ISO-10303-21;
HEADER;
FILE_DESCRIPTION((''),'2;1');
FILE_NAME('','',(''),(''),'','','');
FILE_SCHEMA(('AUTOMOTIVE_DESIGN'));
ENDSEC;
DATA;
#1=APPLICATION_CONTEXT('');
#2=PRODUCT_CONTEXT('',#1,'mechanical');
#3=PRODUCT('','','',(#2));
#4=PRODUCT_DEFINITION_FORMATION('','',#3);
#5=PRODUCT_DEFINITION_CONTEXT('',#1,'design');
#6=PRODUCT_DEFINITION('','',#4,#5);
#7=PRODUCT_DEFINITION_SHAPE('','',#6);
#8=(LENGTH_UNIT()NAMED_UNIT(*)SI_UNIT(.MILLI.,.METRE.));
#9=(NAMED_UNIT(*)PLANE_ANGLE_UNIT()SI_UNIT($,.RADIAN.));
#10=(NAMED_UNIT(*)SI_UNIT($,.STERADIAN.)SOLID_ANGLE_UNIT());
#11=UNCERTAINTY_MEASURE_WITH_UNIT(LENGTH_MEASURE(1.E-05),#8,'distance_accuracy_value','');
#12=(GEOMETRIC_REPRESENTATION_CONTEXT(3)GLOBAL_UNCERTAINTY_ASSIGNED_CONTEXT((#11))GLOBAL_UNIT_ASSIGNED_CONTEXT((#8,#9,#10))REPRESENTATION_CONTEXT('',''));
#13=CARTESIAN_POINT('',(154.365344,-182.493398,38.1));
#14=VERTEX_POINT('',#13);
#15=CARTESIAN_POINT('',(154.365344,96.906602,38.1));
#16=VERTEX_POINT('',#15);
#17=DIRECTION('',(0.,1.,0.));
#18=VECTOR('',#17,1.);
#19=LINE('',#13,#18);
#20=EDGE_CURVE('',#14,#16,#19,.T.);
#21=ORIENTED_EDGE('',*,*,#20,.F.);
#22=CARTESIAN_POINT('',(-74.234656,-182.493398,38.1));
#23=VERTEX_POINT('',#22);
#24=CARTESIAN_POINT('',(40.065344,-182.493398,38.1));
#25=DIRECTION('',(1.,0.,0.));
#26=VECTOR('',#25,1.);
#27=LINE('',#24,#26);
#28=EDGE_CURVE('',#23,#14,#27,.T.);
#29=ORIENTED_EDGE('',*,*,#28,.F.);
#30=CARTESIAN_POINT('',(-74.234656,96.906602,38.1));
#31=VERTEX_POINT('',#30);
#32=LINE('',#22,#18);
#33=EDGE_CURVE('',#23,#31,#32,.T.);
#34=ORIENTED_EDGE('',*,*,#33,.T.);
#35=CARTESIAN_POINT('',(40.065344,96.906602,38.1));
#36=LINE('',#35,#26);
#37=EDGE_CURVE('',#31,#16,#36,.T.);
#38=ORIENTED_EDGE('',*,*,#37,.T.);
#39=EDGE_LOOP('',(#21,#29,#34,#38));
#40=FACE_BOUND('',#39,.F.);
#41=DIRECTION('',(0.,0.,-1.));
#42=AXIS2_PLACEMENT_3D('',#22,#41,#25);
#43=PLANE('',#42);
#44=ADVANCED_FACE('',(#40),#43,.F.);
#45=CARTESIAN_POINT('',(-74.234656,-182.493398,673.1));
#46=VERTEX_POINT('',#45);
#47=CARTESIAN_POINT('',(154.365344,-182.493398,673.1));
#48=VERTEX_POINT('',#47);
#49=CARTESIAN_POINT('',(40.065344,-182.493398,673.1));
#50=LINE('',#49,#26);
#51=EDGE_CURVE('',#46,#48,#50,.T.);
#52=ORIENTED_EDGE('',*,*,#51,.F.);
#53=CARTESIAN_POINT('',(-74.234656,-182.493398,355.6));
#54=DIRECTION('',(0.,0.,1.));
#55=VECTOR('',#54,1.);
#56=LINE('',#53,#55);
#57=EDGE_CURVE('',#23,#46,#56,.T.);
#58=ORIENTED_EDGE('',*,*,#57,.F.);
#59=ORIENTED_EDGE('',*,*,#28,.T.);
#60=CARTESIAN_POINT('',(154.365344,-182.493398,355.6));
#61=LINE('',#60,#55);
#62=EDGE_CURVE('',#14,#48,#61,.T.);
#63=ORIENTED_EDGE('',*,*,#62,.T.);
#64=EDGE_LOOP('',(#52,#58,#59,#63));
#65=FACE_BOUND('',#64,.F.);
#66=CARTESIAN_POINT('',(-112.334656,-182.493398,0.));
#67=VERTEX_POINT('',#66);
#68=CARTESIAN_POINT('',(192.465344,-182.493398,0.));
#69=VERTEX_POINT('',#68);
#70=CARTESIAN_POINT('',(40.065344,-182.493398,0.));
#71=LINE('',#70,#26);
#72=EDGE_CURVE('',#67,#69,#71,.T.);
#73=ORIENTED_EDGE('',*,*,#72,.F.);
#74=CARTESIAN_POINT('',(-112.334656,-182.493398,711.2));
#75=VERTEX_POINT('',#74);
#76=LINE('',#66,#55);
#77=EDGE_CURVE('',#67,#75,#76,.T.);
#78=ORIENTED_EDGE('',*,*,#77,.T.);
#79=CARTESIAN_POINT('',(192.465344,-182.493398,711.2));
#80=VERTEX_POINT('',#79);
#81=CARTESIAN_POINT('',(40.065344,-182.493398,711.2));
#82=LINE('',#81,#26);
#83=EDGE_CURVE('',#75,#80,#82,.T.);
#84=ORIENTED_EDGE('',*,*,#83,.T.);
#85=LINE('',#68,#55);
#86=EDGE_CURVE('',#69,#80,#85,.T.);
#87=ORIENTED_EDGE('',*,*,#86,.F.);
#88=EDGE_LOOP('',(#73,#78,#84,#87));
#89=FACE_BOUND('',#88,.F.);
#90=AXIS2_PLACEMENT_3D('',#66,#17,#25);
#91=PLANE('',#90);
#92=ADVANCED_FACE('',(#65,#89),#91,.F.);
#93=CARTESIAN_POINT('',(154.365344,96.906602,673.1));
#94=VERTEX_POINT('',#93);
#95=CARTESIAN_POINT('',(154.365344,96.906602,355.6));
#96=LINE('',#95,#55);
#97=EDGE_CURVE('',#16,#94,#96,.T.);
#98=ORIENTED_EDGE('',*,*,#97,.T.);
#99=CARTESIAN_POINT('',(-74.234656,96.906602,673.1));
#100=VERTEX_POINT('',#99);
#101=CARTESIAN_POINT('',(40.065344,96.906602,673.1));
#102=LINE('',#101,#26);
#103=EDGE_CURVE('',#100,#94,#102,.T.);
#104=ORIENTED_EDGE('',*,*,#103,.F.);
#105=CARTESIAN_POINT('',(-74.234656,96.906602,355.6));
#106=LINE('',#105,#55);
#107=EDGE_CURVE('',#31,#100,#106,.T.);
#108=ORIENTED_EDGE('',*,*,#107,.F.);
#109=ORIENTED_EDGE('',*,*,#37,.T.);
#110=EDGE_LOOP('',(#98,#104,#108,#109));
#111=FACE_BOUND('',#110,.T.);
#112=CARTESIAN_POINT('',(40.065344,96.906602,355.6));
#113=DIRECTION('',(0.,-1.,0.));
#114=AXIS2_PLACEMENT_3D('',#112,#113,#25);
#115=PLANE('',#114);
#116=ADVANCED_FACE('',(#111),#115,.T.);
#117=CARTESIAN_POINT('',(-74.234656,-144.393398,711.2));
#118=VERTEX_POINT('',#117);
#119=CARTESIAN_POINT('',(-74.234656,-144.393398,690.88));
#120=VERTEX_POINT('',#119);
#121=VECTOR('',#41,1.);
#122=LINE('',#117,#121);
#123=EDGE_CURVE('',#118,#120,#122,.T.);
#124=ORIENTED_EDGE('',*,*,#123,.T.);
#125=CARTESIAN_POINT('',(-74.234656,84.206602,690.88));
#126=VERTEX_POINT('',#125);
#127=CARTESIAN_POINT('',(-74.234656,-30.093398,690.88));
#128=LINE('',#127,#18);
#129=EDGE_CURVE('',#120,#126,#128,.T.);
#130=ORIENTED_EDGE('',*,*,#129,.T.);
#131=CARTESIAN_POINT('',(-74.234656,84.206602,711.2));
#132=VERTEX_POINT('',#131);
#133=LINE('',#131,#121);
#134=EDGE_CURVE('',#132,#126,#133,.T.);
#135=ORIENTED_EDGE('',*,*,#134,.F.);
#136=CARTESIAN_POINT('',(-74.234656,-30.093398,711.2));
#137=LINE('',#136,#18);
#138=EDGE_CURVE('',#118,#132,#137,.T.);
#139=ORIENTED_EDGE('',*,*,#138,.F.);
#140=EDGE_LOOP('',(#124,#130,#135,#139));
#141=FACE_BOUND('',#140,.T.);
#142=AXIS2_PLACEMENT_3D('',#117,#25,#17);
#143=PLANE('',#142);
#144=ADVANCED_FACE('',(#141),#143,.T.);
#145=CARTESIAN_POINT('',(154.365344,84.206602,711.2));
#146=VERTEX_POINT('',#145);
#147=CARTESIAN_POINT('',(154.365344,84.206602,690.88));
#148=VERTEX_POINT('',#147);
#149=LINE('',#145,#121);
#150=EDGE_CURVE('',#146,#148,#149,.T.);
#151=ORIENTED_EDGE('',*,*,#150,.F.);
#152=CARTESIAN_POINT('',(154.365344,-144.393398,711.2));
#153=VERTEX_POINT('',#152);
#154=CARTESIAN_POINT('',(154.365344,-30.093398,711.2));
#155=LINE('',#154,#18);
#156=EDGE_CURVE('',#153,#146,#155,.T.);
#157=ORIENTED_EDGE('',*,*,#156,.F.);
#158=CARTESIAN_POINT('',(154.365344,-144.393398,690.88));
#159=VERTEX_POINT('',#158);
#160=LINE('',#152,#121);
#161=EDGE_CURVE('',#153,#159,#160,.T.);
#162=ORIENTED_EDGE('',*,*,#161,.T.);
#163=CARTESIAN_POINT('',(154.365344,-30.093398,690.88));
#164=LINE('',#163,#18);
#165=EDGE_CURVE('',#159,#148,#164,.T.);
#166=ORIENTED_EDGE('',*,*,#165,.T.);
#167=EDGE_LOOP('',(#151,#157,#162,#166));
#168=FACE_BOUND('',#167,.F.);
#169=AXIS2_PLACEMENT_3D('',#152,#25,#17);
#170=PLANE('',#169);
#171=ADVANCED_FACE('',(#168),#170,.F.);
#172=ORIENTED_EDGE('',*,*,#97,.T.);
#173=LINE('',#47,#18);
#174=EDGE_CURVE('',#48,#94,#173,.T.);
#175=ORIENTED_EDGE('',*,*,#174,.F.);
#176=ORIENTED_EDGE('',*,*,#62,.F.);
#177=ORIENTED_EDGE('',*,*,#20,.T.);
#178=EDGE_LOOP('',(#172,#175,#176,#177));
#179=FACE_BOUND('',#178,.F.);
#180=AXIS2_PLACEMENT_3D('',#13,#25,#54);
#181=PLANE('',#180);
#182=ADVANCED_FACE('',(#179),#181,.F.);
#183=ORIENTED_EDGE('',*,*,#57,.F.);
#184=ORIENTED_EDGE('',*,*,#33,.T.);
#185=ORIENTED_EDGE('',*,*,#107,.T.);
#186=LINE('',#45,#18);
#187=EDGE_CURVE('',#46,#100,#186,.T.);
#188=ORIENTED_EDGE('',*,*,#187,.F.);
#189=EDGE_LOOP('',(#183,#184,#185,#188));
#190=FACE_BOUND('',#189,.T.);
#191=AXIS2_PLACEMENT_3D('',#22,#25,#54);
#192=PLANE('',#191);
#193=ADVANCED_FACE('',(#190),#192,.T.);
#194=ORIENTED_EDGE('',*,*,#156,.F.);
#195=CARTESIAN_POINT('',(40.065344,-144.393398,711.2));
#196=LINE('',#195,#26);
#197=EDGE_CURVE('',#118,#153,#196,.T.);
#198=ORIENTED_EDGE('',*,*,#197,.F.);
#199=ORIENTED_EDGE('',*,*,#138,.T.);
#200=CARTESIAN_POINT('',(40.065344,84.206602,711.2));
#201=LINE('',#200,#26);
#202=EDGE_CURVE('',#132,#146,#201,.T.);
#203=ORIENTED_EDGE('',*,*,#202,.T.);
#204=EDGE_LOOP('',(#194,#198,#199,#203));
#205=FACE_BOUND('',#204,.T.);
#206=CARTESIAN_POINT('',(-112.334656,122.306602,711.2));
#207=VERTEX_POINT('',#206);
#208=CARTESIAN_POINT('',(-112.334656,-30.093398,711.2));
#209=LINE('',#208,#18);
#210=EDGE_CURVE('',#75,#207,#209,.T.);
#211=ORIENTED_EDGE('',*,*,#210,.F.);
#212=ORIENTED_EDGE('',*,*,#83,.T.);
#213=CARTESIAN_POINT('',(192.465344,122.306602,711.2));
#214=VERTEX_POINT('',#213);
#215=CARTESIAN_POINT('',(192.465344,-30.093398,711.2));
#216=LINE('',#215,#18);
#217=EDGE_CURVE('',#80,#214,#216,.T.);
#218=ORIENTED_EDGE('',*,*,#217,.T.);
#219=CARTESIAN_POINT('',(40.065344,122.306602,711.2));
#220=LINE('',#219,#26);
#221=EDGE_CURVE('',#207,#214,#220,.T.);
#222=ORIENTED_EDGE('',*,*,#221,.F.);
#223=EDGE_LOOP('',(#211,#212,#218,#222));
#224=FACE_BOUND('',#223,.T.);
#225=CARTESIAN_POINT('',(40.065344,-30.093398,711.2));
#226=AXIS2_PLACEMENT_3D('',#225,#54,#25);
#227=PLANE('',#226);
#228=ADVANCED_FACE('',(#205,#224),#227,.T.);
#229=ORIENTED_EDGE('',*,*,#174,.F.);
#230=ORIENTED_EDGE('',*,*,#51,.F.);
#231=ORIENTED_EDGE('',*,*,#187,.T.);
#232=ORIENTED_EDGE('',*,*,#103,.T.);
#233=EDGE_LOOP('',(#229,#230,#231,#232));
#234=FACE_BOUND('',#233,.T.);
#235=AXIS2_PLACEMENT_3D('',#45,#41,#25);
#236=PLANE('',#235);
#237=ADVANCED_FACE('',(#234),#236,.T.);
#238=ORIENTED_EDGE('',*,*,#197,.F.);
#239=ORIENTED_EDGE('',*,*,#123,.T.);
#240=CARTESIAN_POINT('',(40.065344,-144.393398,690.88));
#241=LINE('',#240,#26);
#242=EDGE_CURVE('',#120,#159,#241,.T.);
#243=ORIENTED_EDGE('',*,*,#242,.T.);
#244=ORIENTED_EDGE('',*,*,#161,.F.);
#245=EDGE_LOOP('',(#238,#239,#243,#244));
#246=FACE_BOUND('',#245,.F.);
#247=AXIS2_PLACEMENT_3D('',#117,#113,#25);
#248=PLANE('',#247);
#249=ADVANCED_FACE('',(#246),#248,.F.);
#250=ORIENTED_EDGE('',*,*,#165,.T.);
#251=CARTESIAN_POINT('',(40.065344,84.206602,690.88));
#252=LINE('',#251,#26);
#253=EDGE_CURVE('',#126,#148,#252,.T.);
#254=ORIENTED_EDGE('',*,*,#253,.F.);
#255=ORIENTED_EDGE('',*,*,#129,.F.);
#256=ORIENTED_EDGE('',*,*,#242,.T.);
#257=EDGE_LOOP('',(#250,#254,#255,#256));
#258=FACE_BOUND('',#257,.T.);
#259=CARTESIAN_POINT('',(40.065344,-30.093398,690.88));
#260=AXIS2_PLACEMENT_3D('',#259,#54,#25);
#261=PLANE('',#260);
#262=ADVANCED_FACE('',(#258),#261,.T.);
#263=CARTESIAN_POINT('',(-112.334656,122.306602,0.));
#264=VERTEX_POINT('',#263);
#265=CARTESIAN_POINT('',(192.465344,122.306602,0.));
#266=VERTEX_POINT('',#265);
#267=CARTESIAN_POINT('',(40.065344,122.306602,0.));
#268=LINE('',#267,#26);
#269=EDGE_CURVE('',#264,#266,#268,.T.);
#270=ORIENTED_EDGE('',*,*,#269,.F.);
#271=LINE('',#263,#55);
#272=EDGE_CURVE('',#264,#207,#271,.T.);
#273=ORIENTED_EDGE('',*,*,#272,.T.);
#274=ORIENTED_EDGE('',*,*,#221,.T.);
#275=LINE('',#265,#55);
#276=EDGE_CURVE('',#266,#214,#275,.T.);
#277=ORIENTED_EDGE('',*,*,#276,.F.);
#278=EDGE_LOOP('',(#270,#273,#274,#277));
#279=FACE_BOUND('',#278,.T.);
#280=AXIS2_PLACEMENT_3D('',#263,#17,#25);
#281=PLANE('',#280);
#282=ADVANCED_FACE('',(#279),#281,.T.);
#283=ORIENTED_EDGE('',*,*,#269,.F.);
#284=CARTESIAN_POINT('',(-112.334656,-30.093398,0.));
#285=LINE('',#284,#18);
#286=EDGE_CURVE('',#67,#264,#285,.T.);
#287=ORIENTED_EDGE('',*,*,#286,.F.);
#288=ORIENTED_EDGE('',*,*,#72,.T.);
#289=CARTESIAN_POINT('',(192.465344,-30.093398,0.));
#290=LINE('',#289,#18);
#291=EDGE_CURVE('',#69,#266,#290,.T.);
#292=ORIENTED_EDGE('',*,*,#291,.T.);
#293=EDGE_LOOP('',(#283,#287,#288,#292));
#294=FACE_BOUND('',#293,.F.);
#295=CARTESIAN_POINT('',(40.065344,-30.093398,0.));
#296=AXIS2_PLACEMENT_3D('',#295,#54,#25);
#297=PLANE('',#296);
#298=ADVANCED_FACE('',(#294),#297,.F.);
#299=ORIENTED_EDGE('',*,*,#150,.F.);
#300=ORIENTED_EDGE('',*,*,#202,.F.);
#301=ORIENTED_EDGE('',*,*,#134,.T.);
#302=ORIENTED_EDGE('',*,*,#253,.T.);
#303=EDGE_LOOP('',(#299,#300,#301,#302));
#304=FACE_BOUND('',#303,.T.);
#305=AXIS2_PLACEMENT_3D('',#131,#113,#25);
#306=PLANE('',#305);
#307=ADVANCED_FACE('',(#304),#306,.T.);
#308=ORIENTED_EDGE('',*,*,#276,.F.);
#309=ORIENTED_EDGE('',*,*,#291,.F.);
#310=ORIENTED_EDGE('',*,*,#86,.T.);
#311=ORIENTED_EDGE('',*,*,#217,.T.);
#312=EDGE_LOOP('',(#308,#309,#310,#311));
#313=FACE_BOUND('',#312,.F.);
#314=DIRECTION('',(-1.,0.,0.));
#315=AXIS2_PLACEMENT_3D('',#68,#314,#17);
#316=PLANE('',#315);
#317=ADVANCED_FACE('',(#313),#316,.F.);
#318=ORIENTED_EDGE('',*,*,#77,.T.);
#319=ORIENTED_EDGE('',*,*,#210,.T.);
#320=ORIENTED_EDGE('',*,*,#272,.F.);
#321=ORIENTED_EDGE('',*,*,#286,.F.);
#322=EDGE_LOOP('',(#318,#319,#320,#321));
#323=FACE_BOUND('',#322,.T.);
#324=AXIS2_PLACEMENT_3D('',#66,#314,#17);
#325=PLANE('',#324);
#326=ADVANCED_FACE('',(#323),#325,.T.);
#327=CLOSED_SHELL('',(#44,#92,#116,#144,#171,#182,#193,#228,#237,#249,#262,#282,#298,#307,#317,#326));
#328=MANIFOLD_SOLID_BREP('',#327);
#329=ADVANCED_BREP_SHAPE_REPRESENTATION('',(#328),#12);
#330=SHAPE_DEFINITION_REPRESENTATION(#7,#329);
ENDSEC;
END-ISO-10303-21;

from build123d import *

# Parameters (mm, degrees)
F0_W     = 304.8
F0_H     = 304.8
F1_DEPTH = 711.2
F2_W     = 228.6
F2_H     = 635
F3_DEPTH = 279.4
F4_W     = 228.6
F4_H     = 228.6
F5_DEPTH = 20.32


with BuildPart() as f1:
    # F0 (on Top) → F1 (new body)
    with BuildSketch(Plane.XY):
        with Locations((40.065344, -30.093398)):
            Rectangle(F0_W, F0_H)
    extrude(amount=F1_DEPTH)

    # F2 (on face) → F3 (cut)
    with BuildSketch(Plane.XZ.offset(182.493398)):
        with Locations((40.065344, 355.6)):
            Rectangle(F2_W, F2_H)
    extrude(amount=-F3_DEPTH, mode=Mode.SUBTRACT)

    # F4 (on face) → F5 (cut)
    with BuildSketch(Plane.XY.offset(711.2)):
        with Locations((40.065344, -30.093398)):
            Rectangle(F4_W, F4_H)
    extrude(amount=-F5_DEPTH, mode=Mode.SUBTRACT)


solid = f1.part
